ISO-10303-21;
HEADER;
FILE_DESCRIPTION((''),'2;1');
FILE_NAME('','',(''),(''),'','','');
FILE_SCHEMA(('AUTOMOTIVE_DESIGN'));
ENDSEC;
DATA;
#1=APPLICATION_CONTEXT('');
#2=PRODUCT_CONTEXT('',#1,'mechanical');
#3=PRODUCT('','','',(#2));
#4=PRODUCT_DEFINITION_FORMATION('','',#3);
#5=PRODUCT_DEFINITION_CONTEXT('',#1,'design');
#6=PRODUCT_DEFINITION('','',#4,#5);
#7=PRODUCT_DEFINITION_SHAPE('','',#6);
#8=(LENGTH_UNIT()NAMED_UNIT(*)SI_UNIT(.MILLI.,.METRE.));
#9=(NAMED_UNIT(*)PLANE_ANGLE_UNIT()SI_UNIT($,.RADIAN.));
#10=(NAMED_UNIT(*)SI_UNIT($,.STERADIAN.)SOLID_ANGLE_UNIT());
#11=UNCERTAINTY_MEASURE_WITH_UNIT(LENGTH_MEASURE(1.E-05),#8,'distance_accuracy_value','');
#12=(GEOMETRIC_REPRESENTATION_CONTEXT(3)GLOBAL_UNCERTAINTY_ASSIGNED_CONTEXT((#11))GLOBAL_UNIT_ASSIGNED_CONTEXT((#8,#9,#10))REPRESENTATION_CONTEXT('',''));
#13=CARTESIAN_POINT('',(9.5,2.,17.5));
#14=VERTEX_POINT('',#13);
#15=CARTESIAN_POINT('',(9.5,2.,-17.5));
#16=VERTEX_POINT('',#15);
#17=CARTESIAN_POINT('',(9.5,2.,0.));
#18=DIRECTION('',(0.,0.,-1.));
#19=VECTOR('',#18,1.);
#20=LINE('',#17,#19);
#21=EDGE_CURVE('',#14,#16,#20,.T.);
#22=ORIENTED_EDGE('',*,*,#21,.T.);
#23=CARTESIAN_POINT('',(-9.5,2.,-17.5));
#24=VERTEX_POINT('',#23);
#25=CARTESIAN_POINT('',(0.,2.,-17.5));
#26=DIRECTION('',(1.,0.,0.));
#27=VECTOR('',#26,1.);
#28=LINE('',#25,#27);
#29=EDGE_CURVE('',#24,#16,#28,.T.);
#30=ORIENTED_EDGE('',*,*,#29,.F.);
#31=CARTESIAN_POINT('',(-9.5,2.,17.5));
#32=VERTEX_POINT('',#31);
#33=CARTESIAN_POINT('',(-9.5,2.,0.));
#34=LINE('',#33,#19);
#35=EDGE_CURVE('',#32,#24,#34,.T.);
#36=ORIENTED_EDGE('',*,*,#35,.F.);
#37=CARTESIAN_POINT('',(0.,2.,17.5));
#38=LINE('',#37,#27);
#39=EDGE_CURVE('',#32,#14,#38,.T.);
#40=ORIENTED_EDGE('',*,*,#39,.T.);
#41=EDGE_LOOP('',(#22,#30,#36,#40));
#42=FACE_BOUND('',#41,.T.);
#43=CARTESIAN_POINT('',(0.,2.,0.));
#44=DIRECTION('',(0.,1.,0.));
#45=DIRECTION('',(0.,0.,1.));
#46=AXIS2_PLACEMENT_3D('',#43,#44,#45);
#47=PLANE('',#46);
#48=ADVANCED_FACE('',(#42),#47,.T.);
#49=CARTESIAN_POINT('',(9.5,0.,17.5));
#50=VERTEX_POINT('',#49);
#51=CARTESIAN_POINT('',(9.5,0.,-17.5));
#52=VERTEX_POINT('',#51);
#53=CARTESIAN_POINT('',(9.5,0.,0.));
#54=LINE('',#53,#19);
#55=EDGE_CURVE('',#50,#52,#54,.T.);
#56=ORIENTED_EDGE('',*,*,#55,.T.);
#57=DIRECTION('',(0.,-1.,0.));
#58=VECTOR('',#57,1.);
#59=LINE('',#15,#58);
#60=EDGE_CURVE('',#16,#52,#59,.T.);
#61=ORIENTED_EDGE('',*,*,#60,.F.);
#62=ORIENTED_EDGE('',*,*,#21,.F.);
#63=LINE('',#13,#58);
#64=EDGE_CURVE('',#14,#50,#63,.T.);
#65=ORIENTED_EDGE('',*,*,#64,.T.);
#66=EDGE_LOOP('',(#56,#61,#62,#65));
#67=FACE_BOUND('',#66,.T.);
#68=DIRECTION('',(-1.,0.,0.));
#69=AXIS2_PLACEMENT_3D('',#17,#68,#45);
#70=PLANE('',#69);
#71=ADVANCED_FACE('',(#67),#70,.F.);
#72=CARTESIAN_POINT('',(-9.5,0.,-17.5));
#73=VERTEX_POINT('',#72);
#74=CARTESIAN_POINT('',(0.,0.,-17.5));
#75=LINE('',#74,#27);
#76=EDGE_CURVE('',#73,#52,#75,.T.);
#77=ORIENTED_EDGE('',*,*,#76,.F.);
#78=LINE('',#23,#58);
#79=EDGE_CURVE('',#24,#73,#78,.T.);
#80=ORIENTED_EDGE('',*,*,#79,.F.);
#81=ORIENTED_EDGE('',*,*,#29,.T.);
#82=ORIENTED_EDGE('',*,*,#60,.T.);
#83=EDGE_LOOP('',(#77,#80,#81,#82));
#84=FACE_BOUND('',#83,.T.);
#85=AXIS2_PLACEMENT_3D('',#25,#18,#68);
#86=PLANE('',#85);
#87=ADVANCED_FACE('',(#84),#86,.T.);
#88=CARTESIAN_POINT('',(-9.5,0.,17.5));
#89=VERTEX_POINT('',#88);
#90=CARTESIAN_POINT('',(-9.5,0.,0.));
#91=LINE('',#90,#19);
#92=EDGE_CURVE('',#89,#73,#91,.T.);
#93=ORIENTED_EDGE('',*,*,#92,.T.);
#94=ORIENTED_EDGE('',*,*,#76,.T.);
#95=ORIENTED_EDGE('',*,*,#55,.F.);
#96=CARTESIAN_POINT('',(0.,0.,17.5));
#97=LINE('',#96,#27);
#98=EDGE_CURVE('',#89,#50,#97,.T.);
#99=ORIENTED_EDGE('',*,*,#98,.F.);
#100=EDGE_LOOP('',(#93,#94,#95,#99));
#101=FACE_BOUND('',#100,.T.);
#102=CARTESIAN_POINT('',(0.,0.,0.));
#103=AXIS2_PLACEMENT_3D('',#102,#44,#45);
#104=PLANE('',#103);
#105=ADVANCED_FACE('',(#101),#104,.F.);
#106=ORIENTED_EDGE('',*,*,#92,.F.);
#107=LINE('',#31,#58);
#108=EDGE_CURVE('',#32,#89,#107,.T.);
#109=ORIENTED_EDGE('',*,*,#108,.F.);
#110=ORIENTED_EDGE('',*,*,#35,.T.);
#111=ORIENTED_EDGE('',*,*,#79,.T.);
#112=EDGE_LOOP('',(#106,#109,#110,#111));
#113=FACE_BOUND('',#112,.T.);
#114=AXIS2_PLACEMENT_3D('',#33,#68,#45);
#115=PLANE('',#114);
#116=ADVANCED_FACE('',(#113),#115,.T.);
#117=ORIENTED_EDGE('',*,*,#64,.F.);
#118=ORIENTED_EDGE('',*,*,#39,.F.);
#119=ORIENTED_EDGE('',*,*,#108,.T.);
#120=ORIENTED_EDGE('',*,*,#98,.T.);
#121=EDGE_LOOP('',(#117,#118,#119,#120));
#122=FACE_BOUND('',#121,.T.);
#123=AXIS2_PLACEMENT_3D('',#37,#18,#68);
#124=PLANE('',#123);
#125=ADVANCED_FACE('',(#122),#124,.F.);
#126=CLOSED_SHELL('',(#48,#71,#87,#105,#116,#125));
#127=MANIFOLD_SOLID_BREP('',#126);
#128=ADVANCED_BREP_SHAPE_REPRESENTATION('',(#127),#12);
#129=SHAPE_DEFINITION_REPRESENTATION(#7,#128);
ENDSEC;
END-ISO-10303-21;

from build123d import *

# Parameters (mm, degrees)
CROQUIS1_W              = 19
CROQUIS1_H              = 35
SALIENTE_EXTRUIR4_DEPTH = 2


with BuildPart() as part:
    # Croquis1 → Saliente-Extruir4 (new body)
    with BuildSketch(Plane(origin=(0, 0, 0), x_dir=(1, 0, 0), z_dir=(0, 1, 0))):
        Rectangle(CROQUIS1_W, CROQUIS1_H)
    extrude(amount=SALIENTE_EXTRUIR4_DEPTH)


solid = part.part
